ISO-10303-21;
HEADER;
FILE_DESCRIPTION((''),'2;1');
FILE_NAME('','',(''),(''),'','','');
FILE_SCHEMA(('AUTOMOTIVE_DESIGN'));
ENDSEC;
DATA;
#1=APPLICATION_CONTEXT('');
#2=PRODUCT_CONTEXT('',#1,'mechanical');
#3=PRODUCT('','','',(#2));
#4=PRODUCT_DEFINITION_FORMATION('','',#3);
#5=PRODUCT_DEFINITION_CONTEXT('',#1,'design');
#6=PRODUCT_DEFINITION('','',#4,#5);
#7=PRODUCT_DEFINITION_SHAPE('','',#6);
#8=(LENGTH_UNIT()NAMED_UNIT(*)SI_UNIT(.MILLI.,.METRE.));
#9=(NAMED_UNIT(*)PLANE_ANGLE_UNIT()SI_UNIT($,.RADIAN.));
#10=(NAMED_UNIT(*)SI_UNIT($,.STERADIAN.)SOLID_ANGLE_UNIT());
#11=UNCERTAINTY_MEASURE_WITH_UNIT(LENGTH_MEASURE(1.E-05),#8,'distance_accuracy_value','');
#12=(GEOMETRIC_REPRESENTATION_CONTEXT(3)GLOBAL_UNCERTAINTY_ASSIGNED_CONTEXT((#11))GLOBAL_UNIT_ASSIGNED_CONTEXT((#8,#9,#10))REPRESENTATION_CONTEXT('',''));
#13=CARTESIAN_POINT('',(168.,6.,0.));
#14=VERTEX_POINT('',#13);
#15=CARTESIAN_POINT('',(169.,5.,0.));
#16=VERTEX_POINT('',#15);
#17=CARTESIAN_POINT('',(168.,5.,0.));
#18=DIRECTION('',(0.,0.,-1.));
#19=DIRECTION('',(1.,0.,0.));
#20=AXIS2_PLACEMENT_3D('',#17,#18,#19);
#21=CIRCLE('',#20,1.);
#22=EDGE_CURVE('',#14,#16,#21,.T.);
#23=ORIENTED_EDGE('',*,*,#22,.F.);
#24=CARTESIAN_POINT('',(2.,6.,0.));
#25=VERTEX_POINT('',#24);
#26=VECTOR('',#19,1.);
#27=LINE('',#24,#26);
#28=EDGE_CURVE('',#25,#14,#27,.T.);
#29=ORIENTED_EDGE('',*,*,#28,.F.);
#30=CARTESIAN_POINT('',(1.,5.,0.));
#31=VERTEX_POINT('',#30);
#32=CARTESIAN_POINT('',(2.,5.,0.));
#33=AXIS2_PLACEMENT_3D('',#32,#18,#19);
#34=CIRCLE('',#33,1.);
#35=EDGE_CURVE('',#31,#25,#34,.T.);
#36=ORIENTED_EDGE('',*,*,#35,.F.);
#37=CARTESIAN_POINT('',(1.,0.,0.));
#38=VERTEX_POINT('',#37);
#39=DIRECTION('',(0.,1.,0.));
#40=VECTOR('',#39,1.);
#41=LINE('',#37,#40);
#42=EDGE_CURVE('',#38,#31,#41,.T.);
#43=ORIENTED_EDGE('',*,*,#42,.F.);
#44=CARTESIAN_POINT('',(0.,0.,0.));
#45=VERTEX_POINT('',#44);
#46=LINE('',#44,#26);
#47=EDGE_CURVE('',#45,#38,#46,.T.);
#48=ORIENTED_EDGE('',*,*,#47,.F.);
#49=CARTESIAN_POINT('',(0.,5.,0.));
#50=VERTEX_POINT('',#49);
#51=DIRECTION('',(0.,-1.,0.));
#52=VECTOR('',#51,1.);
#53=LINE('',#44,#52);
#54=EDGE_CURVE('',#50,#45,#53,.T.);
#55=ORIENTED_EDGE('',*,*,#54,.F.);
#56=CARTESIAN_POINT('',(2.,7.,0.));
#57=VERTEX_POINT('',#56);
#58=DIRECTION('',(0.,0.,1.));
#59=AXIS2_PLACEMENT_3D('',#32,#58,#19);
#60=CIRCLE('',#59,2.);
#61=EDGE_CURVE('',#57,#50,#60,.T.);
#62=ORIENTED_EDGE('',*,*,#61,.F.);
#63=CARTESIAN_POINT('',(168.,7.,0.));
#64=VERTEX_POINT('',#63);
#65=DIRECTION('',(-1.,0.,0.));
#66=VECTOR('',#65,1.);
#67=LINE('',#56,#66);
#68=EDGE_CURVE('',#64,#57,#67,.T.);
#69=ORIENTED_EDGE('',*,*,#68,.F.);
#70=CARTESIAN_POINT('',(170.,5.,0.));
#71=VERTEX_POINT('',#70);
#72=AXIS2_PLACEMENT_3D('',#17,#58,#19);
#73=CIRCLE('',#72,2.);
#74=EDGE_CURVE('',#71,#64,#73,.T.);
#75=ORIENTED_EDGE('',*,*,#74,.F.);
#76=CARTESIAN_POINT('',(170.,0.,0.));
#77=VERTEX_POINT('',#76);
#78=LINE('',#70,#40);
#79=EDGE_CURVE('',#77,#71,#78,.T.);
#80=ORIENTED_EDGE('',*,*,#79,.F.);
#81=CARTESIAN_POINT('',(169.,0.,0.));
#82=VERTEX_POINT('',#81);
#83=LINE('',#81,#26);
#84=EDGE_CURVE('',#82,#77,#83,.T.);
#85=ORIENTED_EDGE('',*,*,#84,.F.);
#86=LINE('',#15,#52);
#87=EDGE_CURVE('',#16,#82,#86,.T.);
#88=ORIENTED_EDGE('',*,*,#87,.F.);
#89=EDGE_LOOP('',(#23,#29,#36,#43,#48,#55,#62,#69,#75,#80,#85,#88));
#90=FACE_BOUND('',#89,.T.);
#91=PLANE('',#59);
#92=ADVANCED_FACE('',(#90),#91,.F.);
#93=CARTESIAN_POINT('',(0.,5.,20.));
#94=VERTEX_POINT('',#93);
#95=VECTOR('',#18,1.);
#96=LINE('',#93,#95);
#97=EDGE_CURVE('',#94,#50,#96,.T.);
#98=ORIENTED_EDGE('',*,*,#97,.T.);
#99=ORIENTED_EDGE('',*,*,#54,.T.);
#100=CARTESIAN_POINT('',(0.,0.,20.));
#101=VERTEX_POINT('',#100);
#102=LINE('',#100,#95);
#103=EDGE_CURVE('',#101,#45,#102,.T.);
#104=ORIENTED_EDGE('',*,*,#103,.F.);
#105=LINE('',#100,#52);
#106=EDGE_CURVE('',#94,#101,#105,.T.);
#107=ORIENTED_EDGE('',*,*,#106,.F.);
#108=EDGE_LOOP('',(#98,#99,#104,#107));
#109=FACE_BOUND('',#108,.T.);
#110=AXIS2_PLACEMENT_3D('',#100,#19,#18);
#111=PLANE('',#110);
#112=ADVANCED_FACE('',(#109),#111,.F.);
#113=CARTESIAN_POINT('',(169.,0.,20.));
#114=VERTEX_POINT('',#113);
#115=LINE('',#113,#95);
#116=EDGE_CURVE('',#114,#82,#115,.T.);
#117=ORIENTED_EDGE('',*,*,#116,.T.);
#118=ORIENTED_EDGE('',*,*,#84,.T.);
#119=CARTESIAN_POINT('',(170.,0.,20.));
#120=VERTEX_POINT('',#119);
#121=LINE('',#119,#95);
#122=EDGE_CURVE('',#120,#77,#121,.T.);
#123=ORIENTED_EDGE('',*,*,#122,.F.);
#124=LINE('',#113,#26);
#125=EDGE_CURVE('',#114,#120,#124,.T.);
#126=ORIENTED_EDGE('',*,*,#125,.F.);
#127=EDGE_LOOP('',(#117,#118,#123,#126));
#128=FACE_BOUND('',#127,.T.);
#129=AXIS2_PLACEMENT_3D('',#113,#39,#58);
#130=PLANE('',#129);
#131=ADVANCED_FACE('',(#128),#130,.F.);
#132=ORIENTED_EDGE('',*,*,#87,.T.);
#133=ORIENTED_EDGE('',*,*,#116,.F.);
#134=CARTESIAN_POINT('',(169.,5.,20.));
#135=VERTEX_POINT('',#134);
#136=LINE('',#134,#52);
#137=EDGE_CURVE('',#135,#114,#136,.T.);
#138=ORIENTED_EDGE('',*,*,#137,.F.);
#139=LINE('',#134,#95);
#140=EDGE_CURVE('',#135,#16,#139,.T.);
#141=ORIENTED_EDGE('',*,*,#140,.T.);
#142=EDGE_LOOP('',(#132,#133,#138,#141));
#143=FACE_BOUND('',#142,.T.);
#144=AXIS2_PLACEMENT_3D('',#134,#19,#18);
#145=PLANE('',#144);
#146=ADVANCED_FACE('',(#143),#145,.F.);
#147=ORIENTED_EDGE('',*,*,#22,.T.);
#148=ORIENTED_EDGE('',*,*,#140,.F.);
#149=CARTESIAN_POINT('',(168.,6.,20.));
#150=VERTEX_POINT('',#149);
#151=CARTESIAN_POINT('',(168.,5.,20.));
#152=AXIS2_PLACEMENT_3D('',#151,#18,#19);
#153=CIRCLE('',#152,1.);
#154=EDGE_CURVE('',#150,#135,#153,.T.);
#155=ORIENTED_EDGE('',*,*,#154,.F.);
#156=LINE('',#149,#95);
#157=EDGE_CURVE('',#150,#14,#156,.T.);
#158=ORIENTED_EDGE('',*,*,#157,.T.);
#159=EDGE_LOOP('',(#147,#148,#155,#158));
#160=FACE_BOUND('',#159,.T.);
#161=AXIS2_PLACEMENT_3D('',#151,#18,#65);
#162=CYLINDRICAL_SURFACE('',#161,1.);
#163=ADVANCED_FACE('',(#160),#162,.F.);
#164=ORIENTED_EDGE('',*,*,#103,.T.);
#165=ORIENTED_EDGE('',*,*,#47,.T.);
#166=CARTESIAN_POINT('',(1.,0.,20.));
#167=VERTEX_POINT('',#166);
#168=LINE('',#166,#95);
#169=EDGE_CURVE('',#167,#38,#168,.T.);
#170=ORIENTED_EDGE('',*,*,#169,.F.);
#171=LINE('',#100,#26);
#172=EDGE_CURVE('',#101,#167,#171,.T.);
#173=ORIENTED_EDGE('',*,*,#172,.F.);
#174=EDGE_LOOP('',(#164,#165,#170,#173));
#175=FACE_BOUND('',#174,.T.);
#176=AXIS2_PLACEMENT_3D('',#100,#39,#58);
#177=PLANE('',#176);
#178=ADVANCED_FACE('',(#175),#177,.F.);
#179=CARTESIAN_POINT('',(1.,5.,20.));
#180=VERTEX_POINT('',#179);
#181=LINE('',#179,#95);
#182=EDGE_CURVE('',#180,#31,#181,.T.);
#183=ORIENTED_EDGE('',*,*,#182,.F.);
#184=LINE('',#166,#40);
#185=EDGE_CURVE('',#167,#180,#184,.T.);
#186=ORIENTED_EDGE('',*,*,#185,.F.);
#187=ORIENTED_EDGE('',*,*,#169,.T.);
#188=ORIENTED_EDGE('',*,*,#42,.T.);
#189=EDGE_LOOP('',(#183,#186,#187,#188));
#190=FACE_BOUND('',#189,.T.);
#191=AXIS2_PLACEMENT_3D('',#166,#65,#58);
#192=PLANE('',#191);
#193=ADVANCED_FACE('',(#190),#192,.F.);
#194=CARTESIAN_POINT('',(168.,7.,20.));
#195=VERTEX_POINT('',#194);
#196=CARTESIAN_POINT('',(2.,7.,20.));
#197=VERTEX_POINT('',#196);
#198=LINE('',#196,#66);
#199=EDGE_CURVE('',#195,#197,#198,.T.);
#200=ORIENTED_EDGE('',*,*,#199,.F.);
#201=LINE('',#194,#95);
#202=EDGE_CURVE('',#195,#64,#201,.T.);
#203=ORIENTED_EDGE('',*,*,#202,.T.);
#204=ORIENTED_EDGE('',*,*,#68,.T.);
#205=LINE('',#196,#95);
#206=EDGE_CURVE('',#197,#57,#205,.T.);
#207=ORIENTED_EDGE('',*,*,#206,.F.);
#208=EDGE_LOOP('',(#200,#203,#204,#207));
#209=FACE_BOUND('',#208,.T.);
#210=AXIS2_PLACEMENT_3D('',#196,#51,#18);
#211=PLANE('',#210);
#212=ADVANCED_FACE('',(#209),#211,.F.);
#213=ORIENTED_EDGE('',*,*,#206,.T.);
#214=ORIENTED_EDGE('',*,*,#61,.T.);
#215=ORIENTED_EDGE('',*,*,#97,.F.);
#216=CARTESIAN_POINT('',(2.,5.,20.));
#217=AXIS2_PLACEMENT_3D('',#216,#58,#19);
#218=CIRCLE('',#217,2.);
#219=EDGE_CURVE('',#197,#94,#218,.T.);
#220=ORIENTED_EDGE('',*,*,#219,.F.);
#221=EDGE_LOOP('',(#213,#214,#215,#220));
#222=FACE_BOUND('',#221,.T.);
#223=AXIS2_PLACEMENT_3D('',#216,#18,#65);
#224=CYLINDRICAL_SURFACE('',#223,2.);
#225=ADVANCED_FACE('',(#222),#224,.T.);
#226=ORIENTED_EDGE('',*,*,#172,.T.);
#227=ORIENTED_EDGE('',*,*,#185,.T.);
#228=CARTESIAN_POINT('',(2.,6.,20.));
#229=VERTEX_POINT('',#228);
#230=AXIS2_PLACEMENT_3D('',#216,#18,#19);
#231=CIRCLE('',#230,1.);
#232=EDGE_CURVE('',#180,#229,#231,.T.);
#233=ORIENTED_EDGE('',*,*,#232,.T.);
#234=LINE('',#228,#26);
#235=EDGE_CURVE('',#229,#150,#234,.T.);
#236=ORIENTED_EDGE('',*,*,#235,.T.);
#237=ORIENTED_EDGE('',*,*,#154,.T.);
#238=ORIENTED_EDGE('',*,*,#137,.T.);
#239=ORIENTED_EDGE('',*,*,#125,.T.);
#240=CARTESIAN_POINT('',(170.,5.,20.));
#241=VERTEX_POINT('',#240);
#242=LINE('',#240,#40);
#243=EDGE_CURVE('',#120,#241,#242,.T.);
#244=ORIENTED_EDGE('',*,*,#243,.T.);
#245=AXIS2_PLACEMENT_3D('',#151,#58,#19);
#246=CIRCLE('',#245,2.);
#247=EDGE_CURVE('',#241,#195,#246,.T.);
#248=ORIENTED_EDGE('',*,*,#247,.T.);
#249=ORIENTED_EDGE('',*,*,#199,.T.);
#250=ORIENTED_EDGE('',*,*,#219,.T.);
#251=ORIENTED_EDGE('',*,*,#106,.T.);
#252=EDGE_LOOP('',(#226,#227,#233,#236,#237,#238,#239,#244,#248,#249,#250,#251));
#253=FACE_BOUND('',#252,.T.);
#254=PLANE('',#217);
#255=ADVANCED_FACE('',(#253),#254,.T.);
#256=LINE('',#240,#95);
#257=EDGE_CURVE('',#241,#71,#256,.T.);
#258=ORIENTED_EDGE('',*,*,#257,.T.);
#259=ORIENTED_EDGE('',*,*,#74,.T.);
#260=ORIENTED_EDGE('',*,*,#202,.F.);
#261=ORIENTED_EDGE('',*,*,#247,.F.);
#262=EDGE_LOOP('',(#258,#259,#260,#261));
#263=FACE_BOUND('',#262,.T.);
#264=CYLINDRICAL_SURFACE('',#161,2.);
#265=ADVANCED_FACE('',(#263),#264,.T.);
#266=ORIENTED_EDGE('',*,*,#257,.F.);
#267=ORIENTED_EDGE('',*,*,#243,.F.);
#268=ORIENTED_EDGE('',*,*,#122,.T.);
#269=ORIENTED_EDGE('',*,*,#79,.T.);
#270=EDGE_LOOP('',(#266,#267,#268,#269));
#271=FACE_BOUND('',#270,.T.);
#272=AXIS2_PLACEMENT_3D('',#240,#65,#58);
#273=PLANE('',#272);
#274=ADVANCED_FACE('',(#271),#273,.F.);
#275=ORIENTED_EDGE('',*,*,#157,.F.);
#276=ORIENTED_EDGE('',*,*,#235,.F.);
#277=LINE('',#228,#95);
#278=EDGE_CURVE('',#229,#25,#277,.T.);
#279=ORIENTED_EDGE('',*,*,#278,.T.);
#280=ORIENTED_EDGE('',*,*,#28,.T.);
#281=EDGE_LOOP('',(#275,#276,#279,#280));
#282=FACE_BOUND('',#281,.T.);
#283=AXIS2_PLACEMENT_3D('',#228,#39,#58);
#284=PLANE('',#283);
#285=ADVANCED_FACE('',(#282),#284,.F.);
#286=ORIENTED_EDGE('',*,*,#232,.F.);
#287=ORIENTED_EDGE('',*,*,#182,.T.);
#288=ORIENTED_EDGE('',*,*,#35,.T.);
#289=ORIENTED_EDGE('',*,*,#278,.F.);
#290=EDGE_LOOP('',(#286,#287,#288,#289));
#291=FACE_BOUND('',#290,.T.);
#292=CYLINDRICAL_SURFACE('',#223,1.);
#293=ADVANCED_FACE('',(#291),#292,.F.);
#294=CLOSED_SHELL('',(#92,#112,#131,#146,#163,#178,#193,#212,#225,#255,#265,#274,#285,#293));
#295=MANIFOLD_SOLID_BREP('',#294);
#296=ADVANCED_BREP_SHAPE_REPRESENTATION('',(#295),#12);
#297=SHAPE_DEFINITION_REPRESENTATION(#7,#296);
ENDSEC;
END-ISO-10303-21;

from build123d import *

# Parameters (mm, degrees)
RESSALTO_EXTRUS_O1_DEPTH = 20


with BuildPart() as part:
    # Esboço1 → Ressalto-extrusão1 (new body)
    with BuildSketch(Plane.XY):
        with BuildLine():
            Line((0, 0), (0, 5))
            ThreePointArc((0, 5), (0.585786438, 6.414213562), (2, 7))
            Line((2, 7), (168, 7))
            ThreePointArc((168, 7), (169.414213562, 6.414213562), (170, 5))
            Line((170, 5), (170, 0))
            Line((170, 0), (169, 0))
            Line((169, 0), (169, 5))
            ThreePointArc((169, 5), (168.707106781, 5.707106781), (168, 6))
            Line((168, 6), (2, 6))
            ThreePointArc((2, 6), (1.292893219, 5.707106781), (1, 5))
            Line((1, 5), (1, 0))
            Line((1, 0), (0, 0))
        make_face()
    extrude(amount=RESSALTO_EXTRUS_O1_DEPTH)


solid = part.part
